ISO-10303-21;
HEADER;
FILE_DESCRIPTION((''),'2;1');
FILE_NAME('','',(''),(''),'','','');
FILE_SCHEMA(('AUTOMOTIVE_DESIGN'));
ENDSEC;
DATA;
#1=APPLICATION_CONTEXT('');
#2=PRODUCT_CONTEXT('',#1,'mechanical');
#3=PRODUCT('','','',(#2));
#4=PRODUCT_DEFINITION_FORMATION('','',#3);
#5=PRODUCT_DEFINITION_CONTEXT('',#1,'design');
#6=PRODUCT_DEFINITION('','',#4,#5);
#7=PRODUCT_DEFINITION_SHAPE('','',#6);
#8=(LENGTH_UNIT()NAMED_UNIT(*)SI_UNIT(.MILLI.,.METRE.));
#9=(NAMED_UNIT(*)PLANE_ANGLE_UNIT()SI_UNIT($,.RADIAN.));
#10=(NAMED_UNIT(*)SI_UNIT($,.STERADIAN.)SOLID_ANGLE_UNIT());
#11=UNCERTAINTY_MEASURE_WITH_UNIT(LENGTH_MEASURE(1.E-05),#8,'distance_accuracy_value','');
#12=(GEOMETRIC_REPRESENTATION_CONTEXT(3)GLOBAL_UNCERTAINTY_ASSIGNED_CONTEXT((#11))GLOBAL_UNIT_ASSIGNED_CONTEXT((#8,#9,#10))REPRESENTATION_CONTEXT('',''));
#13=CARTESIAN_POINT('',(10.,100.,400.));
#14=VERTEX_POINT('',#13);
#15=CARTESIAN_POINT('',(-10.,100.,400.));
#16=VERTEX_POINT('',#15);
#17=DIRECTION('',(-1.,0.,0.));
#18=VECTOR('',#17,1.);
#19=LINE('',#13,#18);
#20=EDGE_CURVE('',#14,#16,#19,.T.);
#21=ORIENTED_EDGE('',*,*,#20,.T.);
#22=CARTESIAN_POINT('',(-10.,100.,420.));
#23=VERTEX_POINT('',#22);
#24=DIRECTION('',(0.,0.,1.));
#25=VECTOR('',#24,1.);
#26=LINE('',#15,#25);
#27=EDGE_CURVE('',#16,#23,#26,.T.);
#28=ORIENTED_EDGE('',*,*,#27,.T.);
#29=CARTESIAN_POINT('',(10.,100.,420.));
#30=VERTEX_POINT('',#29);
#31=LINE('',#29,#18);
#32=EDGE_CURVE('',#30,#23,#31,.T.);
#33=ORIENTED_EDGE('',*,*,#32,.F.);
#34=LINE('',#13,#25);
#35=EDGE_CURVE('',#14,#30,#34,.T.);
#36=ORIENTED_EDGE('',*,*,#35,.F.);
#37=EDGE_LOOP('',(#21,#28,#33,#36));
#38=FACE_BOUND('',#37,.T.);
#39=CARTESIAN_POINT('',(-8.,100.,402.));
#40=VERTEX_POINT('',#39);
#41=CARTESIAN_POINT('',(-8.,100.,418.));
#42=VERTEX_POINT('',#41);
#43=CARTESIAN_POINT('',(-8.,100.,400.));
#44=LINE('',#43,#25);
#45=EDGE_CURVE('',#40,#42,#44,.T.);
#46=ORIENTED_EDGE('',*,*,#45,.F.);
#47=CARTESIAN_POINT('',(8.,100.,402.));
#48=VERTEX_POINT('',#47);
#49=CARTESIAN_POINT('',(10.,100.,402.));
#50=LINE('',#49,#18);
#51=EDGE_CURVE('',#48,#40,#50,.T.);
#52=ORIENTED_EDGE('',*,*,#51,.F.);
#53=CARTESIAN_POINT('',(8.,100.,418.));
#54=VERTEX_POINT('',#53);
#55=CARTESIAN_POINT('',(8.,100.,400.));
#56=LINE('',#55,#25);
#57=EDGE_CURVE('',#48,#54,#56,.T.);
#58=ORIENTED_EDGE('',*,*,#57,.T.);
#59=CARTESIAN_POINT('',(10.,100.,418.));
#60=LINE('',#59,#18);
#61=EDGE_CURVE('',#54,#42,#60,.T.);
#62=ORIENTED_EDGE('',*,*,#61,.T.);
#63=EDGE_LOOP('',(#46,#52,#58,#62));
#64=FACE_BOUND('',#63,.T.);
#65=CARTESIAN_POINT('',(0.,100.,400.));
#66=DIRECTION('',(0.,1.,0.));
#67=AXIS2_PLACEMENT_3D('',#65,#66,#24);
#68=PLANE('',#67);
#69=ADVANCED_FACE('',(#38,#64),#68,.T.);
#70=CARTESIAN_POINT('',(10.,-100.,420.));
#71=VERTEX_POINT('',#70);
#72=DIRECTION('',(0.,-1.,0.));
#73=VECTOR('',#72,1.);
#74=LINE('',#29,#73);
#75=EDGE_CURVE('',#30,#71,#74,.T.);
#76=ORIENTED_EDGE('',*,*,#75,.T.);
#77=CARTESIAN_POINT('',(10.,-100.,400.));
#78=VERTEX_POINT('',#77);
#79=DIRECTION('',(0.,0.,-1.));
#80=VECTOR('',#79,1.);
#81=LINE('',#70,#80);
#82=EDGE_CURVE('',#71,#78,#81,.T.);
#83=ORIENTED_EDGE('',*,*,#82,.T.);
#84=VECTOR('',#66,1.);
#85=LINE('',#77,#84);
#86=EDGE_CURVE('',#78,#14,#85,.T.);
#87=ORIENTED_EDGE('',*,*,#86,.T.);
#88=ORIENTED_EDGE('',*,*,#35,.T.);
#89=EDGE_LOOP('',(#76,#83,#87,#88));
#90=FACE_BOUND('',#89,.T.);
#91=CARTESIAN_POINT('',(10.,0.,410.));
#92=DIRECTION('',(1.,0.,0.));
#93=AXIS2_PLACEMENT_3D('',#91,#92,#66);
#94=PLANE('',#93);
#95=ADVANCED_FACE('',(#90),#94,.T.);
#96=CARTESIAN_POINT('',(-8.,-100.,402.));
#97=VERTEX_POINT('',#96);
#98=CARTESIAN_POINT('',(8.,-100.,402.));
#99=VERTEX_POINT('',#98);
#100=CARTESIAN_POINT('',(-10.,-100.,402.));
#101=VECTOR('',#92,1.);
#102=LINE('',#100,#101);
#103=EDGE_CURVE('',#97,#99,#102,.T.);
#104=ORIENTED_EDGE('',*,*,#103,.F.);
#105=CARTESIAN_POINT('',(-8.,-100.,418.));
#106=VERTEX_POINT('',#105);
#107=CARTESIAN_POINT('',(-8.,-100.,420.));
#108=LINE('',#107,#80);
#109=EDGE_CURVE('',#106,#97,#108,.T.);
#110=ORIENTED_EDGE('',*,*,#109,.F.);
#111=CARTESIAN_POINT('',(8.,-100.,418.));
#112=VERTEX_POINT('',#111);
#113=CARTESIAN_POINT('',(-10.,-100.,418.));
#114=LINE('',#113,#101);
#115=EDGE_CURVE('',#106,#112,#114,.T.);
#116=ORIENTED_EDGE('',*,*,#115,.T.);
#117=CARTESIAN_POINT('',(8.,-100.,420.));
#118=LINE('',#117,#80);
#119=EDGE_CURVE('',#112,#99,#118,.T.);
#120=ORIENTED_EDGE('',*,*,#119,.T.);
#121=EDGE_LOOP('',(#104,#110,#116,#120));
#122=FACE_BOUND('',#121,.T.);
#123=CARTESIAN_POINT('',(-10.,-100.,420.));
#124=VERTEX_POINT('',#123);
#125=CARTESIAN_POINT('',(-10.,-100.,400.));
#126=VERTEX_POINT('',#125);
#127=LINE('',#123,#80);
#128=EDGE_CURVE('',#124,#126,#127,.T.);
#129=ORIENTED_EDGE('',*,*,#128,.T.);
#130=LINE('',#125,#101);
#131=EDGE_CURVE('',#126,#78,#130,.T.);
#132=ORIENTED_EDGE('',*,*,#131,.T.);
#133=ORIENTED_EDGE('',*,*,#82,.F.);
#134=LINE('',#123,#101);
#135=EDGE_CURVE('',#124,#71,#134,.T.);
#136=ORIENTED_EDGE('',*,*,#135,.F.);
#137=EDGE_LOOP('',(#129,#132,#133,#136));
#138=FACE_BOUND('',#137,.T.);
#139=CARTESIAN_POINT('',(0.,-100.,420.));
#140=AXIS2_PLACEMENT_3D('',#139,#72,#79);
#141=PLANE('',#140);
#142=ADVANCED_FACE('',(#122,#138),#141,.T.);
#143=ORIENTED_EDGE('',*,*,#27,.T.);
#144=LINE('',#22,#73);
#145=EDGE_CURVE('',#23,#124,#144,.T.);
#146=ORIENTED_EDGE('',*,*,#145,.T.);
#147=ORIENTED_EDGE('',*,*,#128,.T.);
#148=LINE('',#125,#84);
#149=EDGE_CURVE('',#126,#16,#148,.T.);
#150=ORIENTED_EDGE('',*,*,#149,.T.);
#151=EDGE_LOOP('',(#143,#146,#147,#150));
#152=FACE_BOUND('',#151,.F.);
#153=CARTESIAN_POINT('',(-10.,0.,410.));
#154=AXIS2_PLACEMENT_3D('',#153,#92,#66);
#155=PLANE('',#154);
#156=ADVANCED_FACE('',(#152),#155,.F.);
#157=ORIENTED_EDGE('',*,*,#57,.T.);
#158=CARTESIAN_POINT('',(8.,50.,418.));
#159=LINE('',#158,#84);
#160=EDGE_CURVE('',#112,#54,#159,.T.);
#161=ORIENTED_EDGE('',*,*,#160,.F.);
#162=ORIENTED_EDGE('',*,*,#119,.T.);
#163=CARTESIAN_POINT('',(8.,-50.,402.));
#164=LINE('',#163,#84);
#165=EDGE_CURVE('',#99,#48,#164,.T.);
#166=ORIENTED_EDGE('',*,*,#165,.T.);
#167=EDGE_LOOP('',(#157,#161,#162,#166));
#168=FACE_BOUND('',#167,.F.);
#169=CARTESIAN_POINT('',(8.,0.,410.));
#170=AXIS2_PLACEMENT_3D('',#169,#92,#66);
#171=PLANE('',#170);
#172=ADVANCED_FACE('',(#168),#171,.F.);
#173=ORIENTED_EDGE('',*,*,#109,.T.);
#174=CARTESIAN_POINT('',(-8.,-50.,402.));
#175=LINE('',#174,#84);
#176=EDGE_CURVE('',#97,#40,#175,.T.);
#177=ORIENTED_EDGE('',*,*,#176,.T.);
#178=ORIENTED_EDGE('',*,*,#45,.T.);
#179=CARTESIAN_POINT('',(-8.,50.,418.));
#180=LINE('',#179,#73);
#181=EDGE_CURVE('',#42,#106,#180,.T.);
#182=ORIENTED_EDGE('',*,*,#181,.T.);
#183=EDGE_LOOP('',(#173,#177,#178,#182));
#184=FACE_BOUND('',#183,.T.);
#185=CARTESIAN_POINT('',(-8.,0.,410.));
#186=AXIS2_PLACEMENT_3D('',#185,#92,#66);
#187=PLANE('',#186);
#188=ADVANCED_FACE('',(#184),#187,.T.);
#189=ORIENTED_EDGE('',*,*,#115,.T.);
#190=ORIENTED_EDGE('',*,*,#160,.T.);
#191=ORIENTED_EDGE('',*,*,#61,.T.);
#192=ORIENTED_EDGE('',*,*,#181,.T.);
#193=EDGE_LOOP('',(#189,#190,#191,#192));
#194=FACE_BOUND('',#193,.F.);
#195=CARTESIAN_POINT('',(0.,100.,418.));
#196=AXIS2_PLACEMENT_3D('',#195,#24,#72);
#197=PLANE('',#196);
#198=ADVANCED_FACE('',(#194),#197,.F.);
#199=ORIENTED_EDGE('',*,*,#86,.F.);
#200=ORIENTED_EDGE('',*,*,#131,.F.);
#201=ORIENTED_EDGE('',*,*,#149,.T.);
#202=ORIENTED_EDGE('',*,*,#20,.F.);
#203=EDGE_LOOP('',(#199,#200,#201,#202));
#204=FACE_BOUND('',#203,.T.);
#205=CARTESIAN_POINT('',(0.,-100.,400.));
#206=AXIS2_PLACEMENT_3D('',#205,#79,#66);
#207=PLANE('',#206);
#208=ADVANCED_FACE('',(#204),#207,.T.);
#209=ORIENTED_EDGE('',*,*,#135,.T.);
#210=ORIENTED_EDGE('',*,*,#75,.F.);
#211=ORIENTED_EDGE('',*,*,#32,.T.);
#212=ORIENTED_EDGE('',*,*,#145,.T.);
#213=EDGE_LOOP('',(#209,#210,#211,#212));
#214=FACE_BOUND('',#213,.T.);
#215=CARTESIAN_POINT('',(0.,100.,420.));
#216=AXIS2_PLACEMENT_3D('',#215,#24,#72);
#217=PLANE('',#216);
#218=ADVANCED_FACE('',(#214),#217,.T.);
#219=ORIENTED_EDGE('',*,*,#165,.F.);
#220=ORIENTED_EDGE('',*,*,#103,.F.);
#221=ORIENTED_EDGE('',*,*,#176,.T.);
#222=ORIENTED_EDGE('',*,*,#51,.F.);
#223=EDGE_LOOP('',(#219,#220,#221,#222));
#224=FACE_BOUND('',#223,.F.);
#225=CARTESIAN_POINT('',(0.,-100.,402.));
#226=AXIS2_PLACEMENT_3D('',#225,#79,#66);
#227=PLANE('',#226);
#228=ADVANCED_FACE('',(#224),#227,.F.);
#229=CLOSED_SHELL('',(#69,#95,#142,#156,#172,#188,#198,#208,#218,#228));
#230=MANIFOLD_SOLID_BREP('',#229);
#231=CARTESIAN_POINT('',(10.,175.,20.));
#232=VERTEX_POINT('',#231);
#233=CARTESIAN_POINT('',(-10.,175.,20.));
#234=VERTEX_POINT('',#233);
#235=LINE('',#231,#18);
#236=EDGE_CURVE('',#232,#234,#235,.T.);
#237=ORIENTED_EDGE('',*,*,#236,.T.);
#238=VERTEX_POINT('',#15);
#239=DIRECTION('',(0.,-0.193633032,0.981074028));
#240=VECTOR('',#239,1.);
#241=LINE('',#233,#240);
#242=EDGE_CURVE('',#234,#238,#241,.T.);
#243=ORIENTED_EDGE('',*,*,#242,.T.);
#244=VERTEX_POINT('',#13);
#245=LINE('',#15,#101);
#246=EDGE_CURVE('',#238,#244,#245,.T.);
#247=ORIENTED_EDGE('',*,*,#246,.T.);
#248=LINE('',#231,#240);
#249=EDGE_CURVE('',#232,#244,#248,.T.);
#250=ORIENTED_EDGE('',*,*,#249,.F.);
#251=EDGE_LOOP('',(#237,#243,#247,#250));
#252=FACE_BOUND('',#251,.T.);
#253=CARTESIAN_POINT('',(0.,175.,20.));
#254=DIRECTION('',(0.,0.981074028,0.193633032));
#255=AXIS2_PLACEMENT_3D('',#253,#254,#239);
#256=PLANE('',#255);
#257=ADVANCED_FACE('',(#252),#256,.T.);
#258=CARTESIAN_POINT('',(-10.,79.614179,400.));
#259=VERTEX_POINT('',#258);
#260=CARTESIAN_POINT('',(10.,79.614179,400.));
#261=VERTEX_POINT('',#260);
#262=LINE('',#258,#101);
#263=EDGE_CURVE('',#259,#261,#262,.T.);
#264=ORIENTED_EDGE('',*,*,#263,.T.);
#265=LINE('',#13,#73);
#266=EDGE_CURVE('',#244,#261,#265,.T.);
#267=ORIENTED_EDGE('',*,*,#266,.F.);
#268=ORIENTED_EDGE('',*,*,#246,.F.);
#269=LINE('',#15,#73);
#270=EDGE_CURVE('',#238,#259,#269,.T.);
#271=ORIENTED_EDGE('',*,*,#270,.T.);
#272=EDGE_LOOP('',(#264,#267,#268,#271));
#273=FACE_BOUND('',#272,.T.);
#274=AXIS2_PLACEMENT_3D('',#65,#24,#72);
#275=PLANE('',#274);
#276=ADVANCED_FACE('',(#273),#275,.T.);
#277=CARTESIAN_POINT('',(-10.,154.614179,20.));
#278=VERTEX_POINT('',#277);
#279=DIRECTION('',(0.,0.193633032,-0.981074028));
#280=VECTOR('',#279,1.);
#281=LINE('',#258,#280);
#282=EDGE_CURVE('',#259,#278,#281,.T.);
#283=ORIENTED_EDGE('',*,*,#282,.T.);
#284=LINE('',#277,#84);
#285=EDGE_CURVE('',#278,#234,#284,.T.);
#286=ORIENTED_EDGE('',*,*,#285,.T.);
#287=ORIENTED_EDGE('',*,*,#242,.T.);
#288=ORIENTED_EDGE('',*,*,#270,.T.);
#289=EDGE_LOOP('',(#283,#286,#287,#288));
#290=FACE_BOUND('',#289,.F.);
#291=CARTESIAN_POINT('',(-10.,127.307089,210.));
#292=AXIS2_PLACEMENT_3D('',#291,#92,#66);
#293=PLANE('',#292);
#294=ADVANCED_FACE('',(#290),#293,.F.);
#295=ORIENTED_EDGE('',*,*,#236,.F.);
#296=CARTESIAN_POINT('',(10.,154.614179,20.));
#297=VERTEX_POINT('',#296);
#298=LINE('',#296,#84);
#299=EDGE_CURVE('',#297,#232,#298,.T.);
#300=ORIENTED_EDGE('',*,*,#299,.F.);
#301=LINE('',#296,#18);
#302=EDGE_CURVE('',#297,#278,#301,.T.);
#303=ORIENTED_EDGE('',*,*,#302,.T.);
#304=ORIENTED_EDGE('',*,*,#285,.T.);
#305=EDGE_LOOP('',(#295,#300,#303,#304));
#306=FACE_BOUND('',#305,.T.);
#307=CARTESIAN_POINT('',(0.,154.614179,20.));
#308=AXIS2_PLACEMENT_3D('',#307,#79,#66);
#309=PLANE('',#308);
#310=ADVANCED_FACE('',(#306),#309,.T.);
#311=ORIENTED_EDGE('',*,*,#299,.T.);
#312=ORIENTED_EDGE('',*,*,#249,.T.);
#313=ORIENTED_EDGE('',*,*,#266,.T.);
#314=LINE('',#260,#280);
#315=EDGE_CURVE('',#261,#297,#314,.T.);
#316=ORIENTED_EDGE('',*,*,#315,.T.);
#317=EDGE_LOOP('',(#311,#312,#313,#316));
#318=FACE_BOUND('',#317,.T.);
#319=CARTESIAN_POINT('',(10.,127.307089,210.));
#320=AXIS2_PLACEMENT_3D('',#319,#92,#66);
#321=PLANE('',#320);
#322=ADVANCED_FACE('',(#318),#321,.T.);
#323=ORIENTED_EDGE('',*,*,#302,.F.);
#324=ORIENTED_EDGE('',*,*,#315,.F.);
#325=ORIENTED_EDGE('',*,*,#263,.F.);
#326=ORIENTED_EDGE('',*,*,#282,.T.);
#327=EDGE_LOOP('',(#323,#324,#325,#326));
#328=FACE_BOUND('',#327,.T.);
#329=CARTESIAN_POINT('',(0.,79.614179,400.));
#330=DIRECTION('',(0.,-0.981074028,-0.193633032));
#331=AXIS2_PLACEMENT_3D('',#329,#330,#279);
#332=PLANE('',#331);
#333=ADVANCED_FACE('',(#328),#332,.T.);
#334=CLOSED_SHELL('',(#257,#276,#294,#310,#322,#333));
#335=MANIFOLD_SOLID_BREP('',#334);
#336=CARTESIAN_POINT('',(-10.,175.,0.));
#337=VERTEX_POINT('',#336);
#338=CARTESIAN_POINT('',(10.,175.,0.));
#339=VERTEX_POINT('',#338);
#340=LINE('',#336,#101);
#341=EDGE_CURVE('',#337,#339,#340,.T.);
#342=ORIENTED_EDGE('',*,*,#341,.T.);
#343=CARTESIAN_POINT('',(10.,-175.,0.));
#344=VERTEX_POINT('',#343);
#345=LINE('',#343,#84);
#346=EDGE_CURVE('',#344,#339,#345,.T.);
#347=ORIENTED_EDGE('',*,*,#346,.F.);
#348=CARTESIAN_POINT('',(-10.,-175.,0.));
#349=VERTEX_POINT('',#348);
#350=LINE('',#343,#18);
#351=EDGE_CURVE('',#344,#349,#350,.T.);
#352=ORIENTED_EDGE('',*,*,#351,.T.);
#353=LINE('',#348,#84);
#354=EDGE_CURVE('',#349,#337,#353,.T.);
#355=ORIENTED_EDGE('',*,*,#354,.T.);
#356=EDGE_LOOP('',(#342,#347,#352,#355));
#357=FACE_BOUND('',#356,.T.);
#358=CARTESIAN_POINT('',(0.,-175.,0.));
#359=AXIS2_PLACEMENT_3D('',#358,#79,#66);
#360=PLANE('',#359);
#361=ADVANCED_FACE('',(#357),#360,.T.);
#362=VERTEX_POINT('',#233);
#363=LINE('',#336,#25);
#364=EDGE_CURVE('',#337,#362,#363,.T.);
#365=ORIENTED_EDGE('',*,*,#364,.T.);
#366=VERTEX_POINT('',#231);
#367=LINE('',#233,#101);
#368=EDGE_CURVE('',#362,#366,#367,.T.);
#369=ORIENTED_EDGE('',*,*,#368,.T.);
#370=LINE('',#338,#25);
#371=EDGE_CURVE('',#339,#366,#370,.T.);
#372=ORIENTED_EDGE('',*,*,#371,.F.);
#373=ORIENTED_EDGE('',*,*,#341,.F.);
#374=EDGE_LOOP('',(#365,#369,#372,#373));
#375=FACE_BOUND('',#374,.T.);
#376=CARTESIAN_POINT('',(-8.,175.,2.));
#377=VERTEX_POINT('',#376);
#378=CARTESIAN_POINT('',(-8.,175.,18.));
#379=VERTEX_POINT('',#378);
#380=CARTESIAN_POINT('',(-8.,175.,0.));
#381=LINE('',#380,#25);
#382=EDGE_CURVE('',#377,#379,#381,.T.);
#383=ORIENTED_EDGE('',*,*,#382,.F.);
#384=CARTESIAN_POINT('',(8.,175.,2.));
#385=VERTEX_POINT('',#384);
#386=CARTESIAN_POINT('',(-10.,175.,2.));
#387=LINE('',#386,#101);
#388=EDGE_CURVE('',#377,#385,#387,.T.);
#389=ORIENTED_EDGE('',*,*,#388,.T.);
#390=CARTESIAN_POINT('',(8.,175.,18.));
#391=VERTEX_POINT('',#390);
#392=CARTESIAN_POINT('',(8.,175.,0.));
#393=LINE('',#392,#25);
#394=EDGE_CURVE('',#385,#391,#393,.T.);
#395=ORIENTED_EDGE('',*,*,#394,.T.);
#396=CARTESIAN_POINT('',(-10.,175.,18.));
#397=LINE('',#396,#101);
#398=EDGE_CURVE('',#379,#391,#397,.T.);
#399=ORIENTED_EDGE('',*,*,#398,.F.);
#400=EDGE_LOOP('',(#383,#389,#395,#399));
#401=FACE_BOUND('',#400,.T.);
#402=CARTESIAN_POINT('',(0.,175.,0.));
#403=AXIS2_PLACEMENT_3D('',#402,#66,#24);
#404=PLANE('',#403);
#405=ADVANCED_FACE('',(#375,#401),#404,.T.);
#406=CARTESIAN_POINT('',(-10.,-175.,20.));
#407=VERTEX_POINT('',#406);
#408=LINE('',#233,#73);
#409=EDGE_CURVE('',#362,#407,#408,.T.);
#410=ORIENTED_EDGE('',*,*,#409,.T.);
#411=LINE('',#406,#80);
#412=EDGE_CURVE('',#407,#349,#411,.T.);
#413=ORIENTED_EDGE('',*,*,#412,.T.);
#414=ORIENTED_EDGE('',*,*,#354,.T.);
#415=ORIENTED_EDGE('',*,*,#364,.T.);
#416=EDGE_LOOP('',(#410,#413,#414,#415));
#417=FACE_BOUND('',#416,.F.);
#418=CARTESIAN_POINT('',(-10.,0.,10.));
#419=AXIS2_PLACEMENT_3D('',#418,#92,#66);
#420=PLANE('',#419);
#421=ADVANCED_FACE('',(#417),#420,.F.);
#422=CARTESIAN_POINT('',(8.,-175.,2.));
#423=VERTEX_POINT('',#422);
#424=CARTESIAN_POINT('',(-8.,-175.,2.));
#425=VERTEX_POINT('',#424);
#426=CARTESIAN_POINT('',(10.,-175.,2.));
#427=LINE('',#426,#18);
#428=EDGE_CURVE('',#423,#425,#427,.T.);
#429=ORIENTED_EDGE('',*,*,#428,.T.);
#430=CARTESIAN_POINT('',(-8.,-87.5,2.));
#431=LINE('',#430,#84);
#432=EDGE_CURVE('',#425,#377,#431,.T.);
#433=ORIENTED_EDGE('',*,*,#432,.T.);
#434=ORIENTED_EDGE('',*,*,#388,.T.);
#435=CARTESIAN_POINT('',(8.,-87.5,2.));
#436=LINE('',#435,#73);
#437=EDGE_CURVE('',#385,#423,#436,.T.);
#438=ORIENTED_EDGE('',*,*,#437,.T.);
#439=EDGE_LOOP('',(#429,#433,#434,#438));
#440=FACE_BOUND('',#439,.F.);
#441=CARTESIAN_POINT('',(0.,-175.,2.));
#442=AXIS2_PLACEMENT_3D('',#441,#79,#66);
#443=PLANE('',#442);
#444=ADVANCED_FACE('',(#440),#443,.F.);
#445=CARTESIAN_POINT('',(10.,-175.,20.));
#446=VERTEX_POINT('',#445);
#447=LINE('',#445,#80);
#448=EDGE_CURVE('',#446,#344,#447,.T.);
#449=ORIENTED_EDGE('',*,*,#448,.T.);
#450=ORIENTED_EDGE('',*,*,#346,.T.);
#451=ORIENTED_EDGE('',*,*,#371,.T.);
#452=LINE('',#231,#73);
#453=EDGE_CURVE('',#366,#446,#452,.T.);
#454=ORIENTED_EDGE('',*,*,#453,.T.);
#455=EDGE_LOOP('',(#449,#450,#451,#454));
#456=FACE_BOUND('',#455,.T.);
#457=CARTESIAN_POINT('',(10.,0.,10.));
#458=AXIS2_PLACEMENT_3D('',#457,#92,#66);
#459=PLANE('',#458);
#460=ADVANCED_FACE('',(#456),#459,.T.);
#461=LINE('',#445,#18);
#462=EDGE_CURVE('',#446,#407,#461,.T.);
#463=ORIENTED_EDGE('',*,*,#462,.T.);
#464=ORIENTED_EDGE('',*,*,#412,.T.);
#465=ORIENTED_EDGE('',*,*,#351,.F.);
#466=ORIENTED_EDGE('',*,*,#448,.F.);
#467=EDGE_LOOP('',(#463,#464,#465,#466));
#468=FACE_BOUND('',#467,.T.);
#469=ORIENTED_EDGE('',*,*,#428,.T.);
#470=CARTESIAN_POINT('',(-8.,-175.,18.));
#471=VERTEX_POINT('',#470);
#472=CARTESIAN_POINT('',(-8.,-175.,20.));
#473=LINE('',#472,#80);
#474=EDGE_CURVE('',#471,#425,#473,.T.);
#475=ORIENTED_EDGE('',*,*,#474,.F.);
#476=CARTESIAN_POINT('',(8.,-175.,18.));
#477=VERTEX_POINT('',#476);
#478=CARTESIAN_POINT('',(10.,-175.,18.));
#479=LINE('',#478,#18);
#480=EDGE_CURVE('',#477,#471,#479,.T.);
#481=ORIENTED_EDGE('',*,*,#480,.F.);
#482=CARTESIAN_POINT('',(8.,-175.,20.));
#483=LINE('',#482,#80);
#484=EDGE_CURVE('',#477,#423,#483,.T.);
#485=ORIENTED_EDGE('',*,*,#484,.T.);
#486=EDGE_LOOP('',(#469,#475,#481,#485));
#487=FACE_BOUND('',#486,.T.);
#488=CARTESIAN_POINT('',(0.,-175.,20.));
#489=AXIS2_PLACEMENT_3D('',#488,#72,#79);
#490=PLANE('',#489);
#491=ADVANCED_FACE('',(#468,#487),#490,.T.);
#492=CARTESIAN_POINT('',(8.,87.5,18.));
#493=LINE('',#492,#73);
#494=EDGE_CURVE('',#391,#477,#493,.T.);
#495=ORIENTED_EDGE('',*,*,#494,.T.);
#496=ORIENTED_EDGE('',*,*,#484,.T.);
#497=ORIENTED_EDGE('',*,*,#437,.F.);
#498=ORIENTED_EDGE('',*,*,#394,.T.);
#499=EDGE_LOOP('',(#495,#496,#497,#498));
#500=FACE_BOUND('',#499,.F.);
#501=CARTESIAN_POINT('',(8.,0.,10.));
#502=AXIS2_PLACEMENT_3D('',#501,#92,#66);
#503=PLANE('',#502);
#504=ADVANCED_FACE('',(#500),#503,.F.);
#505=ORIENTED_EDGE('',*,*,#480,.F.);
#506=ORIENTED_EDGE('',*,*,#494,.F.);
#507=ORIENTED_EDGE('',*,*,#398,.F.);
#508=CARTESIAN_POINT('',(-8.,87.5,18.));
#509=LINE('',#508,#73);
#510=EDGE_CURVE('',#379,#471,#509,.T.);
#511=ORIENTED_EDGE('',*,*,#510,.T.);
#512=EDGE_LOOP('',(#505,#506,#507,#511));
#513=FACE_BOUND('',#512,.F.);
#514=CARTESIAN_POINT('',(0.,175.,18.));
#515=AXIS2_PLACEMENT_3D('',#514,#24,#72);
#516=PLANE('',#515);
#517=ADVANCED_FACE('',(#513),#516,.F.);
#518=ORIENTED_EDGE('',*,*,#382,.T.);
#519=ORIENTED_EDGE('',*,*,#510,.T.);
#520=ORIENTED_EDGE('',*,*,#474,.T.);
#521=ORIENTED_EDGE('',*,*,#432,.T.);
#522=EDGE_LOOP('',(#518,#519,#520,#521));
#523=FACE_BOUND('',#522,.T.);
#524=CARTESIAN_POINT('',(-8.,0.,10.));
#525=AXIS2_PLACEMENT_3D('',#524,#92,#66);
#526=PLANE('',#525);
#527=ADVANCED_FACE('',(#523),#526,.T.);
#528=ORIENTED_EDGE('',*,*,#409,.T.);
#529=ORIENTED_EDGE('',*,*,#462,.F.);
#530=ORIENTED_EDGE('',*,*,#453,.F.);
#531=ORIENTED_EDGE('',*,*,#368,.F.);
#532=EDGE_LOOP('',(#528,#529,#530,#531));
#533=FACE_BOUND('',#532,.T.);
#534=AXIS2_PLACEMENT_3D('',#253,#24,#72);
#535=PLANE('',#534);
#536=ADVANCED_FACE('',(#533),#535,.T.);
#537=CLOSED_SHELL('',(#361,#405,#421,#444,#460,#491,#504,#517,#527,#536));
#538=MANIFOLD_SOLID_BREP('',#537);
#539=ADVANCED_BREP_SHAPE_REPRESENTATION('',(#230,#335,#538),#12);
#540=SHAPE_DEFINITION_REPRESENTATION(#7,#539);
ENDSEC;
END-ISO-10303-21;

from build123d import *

# Parameters (mm, degrees)
F1_DEPTH = 10
F2_T     = -2
F2_2_T   = -2
F4_DEPTH = 10


with BuildPart() as f1:
    # F0 (on Right) → F1 (new body, symmetric)
    with BuildSketch(Plane.YZ):
        Polygon((-175, 0), (0, 0), (175, 0), (175, 20), (-175, 20), align=None)
    extrude(amount=F1_DEPTH, both=True)

    # F2#2
    f2_2_openings = [f1.faces().sort_by_distance(p)[0] for p in [
        (0, -175, 10),
        (0, 175, 10),
    ]]
    offset(amount=F2_2_T, openings=f2_2_openings)


with BuildPart() as f1b:
    # F0 (on Right) → F1, piece 2 (new body, symmetric)
    with BuildSketch(Plane.YZ):
        Polygon((100, 420), (0, 420), (-100, 420), (-100, 400), (100, 400), align=None)
    extrude(amount=F1_DEPTH, both=True)

    # F2
    f2_openings = [f1b.faces().sort_by_distance(p)[0] for p in [
        (0, 100, 410),
        (0, -100, 410),
    ]]
    offset(amount=F2_T, openings=f2_openings)


with BuildPart() as f4:
    # F3 (on Right) → F4 (new body, symmetric)
    with BuildSketch(Plane.YZ):
        Polygon((175, 20), (100, 400), (79.6141785191, 400), (154.6141785191, 20), align=None)
    extrude(amount=F4_DEPTH, both=True)


solid = Compound([f1.part, f1b.part, f4.part])
